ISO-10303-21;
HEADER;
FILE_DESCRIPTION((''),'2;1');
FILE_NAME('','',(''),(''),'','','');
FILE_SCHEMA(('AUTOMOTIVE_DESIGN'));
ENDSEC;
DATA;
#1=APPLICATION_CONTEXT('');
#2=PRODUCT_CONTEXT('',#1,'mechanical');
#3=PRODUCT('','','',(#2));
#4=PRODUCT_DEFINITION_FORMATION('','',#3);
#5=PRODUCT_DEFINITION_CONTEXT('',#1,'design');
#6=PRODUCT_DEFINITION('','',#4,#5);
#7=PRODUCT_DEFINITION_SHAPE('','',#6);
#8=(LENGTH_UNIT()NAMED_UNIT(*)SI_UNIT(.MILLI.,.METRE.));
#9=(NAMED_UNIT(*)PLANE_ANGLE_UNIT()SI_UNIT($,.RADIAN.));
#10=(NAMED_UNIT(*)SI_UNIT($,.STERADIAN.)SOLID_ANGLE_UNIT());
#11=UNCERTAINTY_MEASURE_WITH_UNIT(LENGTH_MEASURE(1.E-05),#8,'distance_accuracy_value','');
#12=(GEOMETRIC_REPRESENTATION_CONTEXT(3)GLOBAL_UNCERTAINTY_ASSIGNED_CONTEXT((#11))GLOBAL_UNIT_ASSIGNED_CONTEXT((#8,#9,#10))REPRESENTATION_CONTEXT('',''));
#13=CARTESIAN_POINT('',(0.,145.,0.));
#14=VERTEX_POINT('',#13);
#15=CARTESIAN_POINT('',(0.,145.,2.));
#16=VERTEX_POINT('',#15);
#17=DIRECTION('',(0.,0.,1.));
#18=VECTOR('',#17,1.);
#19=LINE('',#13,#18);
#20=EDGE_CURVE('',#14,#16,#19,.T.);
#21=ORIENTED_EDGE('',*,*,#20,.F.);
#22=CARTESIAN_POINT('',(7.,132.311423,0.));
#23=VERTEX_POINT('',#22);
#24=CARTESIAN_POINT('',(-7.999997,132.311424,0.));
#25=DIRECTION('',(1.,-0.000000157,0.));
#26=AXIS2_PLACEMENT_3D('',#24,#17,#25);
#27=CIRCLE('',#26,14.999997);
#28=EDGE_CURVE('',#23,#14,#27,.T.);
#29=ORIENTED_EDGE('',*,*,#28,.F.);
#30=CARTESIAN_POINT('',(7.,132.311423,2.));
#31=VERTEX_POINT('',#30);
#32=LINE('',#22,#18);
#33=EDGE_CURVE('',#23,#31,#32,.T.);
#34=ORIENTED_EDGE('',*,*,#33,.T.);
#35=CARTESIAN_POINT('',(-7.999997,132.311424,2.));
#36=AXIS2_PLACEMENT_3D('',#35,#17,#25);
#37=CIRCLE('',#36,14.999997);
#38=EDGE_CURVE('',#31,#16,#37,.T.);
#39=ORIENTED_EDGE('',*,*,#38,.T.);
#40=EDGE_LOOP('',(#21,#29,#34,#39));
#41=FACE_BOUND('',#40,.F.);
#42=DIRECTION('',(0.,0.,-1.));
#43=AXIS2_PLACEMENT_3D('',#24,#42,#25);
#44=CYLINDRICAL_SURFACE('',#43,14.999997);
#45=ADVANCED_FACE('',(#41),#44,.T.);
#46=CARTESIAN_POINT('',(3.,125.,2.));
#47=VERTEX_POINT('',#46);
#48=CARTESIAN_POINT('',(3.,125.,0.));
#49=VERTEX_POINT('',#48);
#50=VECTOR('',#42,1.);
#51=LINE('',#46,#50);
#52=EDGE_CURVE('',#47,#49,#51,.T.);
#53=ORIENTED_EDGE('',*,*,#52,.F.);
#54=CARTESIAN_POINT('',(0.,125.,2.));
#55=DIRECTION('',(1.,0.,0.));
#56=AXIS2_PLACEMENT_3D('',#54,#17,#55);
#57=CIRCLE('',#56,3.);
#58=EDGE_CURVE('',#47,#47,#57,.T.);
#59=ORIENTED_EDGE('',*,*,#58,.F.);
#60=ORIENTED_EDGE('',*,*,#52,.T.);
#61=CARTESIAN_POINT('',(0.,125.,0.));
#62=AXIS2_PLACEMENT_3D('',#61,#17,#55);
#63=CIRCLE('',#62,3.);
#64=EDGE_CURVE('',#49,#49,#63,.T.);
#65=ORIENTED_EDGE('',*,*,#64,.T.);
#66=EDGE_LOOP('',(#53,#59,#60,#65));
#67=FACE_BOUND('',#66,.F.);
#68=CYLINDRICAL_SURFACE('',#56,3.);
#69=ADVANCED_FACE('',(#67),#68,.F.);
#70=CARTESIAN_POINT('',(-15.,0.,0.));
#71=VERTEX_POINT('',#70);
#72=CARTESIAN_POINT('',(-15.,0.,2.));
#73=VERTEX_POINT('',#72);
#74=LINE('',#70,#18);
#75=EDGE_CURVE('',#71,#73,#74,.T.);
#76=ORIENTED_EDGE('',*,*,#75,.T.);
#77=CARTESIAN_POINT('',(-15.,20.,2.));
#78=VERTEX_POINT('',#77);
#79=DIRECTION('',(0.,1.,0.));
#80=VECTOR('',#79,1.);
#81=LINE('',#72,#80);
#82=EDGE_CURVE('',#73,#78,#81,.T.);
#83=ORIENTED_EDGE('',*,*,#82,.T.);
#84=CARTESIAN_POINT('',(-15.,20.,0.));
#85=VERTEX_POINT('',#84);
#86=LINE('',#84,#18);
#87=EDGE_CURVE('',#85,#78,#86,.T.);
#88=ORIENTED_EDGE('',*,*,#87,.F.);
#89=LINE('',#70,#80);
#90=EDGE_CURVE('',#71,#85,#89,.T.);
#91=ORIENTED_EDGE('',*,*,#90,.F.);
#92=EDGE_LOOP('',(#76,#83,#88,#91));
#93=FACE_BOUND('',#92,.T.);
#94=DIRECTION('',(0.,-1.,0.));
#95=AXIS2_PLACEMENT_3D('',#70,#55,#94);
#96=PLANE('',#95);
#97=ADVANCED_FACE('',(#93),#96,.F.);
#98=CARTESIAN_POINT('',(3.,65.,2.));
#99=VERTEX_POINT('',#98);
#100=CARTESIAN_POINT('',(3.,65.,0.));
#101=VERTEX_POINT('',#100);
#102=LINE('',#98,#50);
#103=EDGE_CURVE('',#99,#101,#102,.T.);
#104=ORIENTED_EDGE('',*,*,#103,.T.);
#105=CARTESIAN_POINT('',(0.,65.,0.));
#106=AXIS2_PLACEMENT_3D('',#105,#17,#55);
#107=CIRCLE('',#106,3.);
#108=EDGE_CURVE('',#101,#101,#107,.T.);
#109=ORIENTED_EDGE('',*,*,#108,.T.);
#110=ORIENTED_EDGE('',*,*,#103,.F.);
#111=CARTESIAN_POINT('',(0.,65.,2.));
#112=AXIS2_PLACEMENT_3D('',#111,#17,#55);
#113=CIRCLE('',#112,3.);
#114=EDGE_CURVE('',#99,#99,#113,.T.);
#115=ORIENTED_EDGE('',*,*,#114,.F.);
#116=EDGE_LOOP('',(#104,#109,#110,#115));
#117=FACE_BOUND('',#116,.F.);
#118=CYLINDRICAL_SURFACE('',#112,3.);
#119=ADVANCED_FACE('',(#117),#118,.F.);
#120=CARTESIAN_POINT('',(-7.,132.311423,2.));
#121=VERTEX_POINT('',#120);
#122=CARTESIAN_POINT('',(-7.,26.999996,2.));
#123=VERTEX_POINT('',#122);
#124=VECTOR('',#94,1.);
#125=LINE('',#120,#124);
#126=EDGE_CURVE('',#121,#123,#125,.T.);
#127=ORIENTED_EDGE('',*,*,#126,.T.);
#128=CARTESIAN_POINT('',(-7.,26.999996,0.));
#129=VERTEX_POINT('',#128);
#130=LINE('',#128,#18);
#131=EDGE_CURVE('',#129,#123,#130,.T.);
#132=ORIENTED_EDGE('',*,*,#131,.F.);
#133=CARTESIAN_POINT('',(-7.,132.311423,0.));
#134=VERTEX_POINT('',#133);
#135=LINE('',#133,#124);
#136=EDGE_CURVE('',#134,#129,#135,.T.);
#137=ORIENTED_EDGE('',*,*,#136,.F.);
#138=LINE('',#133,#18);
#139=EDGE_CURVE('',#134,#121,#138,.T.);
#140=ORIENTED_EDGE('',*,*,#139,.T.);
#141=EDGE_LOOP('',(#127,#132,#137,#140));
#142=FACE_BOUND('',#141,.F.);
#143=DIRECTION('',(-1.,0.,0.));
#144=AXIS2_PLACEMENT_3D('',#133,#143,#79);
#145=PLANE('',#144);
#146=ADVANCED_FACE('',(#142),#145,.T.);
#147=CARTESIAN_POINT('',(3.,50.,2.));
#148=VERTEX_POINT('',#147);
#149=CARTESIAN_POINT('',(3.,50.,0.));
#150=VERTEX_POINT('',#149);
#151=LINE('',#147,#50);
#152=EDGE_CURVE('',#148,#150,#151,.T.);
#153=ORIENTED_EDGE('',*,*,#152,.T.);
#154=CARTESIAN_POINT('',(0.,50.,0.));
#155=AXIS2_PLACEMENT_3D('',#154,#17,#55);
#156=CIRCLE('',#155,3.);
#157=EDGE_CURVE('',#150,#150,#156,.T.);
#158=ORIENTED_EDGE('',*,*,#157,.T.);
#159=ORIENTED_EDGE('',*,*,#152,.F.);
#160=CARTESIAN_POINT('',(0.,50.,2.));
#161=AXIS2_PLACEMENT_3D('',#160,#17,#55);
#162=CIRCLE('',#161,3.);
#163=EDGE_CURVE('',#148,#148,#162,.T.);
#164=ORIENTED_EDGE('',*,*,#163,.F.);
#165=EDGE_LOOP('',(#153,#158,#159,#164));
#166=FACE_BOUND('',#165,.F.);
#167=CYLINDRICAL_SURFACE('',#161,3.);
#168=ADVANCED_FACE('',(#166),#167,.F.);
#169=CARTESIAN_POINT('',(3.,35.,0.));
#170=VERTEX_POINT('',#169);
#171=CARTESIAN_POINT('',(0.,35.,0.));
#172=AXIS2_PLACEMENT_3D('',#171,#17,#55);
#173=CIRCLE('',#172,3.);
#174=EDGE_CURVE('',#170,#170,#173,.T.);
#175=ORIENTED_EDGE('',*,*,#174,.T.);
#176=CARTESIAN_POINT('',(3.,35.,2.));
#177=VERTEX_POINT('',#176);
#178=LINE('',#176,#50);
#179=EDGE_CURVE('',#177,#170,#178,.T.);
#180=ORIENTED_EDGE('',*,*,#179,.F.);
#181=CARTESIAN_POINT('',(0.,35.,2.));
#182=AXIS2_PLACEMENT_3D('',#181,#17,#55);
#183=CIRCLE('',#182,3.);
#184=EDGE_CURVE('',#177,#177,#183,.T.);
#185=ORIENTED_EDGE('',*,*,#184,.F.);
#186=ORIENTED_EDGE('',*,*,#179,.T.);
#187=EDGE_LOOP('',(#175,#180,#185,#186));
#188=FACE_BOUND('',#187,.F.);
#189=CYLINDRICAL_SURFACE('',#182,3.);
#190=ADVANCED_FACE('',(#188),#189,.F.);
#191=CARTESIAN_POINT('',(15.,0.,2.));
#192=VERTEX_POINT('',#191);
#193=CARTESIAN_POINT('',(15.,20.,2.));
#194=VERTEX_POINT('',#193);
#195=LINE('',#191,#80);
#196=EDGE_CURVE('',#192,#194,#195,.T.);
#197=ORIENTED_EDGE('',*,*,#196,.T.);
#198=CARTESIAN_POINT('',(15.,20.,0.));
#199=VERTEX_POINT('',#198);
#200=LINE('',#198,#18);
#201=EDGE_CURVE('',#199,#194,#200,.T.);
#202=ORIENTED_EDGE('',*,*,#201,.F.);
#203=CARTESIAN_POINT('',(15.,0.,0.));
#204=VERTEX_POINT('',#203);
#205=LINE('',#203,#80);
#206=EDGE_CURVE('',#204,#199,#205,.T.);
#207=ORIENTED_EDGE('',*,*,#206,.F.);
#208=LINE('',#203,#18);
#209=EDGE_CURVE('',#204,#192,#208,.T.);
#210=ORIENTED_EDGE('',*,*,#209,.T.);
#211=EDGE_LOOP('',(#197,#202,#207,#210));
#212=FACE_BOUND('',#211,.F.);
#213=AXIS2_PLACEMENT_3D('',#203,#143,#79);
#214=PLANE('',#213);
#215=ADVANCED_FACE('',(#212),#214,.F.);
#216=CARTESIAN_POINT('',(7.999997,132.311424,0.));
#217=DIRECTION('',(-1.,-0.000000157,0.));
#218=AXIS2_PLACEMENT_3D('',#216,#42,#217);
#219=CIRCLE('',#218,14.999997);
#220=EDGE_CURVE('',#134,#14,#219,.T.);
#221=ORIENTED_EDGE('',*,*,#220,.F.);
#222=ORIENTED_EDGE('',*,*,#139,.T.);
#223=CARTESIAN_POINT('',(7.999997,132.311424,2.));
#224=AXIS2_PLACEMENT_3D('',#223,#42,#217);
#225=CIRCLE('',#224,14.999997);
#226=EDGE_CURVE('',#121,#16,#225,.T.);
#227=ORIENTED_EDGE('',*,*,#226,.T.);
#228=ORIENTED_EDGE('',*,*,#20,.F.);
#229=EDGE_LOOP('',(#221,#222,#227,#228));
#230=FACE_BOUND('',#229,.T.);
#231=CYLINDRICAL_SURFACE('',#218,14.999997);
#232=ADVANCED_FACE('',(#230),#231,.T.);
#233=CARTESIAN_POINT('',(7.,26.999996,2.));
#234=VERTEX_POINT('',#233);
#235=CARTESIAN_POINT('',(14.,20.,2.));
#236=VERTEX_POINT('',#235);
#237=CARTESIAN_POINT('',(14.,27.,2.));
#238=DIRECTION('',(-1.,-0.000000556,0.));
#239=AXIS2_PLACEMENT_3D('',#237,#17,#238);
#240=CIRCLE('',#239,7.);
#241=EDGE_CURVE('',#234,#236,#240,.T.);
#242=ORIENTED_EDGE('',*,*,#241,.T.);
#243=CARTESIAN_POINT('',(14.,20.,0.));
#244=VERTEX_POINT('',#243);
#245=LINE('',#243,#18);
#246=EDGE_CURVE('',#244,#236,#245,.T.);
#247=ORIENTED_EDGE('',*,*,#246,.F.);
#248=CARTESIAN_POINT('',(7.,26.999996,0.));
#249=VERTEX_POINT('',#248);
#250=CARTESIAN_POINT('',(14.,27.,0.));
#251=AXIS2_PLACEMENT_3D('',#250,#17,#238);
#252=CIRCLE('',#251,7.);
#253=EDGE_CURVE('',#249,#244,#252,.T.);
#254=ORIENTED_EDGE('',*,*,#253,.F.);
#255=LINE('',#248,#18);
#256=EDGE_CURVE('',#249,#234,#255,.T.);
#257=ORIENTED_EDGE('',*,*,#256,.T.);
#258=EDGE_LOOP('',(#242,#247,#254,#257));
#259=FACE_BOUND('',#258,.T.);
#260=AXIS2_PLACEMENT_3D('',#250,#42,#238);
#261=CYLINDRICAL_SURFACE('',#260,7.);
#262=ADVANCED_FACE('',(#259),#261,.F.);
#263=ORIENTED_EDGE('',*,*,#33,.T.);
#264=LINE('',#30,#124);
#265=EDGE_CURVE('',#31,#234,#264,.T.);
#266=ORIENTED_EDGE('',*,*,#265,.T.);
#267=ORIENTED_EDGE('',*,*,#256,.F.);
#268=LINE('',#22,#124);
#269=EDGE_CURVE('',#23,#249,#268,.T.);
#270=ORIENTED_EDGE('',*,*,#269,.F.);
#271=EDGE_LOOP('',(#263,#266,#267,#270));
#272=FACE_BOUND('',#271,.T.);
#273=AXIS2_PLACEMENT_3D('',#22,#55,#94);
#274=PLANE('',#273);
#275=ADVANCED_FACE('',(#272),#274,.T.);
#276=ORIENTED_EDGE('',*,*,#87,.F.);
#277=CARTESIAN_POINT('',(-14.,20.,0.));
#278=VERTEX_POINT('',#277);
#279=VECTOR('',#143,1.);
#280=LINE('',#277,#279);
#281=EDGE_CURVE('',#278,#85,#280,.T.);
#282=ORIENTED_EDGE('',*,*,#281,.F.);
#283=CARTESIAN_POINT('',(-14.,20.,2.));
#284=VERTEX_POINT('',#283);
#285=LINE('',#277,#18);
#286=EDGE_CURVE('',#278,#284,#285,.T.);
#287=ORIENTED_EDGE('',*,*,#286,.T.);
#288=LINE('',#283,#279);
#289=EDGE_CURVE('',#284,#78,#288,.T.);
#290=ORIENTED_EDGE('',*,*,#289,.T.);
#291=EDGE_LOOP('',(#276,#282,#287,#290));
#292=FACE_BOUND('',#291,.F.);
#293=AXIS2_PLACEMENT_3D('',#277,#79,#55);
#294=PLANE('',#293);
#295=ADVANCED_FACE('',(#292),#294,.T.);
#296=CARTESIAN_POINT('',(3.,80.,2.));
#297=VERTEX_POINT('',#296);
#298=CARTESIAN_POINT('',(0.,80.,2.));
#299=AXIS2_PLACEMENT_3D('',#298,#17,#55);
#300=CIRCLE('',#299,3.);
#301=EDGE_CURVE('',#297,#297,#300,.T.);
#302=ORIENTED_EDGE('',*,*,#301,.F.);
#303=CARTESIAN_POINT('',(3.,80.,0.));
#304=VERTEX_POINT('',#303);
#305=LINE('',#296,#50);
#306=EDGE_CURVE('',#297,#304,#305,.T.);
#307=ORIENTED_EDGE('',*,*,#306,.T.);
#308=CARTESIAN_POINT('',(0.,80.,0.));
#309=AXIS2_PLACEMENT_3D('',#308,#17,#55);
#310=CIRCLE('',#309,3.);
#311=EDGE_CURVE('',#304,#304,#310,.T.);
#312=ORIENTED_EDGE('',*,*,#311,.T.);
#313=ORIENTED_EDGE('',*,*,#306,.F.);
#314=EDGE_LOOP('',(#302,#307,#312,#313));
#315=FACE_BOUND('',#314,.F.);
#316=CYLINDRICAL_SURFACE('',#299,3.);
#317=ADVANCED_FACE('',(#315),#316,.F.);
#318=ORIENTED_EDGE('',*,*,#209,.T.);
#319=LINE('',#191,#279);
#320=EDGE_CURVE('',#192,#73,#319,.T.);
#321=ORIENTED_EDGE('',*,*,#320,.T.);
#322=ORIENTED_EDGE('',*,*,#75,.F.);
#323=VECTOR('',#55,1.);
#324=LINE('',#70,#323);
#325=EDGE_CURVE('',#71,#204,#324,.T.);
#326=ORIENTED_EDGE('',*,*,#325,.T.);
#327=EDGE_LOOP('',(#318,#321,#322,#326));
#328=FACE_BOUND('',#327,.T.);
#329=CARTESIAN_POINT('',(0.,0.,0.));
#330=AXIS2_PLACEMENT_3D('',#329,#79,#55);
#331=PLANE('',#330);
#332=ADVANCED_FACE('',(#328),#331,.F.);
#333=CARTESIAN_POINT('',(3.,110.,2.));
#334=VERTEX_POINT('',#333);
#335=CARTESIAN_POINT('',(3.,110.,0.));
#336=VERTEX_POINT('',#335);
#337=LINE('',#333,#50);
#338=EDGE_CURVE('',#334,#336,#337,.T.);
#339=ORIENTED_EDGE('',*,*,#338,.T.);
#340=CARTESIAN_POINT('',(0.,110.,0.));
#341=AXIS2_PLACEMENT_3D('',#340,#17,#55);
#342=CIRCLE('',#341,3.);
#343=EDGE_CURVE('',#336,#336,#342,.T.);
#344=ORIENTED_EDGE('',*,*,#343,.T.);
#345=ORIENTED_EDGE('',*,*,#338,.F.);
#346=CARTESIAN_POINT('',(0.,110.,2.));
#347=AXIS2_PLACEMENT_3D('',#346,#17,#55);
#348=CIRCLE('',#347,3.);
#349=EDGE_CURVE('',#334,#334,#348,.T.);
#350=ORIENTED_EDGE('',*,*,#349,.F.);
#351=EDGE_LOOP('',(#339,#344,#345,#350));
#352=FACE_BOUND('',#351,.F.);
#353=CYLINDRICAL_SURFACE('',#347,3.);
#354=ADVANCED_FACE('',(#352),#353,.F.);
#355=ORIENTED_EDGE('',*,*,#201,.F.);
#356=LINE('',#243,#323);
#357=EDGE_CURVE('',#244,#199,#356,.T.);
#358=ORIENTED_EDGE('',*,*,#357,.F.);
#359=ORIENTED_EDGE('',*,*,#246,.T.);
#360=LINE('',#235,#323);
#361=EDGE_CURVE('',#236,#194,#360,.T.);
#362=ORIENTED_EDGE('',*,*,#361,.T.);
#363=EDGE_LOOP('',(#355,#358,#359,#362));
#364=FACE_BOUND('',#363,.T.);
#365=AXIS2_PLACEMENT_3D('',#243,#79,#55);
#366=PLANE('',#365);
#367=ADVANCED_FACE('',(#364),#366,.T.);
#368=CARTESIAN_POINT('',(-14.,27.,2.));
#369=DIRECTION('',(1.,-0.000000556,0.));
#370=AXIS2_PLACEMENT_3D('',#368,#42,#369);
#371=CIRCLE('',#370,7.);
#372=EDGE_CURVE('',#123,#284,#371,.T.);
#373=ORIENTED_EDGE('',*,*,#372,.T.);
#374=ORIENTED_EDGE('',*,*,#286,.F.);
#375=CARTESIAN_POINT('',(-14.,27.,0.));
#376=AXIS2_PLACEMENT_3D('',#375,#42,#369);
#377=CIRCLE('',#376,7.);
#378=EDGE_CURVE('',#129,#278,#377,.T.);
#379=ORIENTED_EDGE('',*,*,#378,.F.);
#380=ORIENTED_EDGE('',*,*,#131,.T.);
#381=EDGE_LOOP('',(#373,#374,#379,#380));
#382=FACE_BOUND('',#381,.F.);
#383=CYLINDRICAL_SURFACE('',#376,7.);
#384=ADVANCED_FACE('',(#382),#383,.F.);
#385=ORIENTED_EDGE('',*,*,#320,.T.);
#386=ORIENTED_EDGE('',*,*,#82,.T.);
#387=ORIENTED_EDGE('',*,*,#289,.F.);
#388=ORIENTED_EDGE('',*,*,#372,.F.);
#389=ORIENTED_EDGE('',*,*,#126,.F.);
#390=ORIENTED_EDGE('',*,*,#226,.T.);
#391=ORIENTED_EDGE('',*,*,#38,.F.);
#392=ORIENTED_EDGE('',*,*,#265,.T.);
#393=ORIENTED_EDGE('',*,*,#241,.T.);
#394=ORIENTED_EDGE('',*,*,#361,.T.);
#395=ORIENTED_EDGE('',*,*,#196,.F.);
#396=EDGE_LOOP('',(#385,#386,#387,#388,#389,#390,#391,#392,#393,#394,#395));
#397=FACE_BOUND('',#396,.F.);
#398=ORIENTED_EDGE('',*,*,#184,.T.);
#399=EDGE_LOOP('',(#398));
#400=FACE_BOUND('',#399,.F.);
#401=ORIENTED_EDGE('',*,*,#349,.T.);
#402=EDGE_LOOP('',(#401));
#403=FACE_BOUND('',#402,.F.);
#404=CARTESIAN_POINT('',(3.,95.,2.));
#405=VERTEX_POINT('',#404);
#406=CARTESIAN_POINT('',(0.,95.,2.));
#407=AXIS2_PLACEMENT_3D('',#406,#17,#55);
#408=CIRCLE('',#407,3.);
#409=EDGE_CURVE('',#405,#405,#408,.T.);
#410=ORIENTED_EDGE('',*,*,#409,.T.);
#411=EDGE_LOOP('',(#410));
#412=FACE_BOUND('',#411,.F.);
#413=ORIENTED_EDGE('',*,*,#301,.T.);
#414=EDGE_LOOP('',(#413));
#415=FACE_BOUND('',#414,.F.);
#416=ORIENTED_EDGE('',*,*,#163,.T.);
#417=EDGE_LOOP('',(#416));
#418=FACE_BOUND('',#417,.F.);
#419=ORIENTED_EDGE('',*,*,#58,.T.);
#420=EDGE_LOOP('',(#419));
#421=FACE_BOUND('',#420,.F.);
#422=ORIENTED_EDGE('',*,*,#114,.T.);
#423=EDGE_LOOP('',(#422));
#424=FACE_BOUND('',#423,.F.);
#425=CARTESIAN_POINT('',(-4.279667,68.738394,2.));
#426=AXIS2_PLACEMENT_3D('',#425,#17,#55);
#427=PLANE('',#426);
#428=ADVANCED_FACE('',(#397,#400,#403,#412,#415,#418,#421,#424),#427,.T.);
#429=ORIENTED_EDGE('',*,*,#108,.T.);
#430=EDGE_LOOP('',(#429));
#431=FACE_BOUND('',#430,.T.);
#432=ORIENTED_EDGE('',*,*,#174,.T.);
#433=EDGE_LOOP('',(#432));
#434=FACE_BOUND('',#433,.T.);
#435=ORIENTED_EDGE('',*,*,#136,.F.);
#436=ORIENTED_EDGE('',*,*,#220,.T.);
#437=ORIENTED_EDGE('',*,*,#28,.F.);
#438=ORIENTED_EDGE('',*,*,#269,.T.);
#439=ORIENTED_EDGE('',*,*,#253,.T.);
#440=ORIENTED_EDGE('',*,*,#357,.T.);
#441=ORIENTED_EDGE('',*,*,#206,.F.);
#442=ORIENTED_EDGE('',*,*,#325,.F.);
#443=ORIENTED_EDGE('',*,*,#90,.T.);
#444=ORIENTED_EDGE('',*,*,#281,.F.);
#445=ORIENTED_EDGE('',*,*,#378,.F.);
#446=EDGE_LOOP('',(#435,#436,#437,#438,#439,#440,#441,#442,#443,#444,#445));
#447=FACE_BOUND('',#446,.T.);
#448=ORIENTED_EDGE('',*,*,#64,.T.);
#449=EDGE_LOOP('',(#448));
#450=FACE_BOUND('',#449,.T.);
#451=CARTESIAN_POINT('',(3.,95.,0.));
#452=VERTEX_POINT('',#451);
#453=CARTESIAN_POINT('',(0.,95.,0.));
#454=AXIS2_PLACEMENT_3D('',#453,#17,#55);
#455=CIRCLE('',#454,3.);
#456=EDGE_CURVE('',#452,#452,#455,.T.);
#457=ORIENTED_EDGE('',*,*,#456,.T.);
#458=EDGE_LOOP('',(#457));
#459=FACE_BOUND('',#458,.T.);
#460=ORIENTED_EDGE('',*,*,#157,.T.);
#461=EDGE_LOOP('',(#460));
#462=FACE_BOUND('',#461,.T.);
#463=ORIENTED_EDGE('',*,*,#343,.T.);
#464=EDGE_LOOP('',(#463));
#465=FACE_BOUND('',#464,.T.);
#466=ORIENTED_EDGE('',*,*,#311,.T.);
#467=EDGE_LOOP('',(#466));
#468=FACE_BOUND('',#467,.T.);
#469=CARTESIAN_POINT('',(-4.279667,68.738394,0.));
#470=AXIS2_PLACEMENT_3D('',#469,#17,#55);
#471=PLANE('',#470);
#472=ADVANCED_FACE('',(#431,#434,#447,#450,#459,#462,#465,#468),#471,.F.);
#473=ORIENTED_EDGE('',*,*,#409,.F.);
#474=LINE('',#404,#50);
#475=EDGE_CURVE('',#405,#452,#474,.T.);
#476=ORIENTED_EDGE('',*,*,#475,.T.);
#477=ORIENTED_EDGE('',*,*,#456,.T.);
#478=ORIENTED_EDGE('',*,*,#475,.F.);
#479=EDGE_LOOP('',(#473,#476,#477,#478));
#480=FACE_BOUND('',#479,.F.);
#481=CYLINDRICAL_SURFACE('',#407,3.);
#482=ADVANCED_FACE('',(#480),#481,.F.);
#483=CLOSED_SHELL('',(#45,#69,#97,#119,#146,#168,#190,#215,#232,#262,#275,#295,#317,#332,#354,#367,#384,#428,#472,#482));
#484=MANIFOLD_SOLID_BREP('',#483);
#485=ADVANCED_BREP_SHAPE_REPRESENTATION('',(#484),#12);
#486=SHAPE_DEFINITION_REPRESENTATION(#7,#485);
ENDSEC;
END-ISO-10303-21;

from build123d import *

# Parameters (mm, degrees)
PAD_DEPTH   = 2
SKETCH001_R = 3
HOLE_DEPTH  = 25


with BuildPart() as part:
    # Sketch → Pad (new body)
    with BuildSketch(Plane.XY):
        with BuildLine():
            Line((0, 0), (15, 0))
            Line((15, 0), (15, 20))
            Line((14, 20), (15, 20))
            ThreePointArc((7, 26.999996), (9.050254, 22.050251), (14, 20))
            Line((7, 28.739996), (7, 26.999996))
            Line((7, 132.311423), (7, 28.739996))
            ThreePointArc((7, 132.311422), (5.133926, 139.557111), (0, 145))
            Line((0, 145), (0, 0))
        make_face()
    pad = extrude(amount=PAD_DEPTH)

    # Mirrored: Pad across Sketch V_Axis
    add(pad.mirror(Plane(origin=(0, 0, 0), x_dir=(0, 0, 1), z_dir=(1, 0, 0))))

    # Sketch001 (on Face5 of Mirrored) → Hole (cut)
    with BuildSketch(Plane.XY.offset(2)):
        with Locations((0, 35)):
            Circle(SKETCH001_R)
        with Locations((0, 50)):
            Circle(SKETCH001_R)
        with Locations((0, 65)):
            Circle(SKETCH001_R)
        with Locations((0, 80)):
            Circle(SKETCH001_R)
        with Locations((0, 95)):
            Circle(SKETCH001_R)
        with Locations((0, 110)):
            Circle(SKETCH001_R)
        with Locations((0, 125)):
            Circle(SKETCH001_R)
    extrude(amount=-HOLE_DEPTH, mode=Mode.SUBTRACT)


solid = part.part
